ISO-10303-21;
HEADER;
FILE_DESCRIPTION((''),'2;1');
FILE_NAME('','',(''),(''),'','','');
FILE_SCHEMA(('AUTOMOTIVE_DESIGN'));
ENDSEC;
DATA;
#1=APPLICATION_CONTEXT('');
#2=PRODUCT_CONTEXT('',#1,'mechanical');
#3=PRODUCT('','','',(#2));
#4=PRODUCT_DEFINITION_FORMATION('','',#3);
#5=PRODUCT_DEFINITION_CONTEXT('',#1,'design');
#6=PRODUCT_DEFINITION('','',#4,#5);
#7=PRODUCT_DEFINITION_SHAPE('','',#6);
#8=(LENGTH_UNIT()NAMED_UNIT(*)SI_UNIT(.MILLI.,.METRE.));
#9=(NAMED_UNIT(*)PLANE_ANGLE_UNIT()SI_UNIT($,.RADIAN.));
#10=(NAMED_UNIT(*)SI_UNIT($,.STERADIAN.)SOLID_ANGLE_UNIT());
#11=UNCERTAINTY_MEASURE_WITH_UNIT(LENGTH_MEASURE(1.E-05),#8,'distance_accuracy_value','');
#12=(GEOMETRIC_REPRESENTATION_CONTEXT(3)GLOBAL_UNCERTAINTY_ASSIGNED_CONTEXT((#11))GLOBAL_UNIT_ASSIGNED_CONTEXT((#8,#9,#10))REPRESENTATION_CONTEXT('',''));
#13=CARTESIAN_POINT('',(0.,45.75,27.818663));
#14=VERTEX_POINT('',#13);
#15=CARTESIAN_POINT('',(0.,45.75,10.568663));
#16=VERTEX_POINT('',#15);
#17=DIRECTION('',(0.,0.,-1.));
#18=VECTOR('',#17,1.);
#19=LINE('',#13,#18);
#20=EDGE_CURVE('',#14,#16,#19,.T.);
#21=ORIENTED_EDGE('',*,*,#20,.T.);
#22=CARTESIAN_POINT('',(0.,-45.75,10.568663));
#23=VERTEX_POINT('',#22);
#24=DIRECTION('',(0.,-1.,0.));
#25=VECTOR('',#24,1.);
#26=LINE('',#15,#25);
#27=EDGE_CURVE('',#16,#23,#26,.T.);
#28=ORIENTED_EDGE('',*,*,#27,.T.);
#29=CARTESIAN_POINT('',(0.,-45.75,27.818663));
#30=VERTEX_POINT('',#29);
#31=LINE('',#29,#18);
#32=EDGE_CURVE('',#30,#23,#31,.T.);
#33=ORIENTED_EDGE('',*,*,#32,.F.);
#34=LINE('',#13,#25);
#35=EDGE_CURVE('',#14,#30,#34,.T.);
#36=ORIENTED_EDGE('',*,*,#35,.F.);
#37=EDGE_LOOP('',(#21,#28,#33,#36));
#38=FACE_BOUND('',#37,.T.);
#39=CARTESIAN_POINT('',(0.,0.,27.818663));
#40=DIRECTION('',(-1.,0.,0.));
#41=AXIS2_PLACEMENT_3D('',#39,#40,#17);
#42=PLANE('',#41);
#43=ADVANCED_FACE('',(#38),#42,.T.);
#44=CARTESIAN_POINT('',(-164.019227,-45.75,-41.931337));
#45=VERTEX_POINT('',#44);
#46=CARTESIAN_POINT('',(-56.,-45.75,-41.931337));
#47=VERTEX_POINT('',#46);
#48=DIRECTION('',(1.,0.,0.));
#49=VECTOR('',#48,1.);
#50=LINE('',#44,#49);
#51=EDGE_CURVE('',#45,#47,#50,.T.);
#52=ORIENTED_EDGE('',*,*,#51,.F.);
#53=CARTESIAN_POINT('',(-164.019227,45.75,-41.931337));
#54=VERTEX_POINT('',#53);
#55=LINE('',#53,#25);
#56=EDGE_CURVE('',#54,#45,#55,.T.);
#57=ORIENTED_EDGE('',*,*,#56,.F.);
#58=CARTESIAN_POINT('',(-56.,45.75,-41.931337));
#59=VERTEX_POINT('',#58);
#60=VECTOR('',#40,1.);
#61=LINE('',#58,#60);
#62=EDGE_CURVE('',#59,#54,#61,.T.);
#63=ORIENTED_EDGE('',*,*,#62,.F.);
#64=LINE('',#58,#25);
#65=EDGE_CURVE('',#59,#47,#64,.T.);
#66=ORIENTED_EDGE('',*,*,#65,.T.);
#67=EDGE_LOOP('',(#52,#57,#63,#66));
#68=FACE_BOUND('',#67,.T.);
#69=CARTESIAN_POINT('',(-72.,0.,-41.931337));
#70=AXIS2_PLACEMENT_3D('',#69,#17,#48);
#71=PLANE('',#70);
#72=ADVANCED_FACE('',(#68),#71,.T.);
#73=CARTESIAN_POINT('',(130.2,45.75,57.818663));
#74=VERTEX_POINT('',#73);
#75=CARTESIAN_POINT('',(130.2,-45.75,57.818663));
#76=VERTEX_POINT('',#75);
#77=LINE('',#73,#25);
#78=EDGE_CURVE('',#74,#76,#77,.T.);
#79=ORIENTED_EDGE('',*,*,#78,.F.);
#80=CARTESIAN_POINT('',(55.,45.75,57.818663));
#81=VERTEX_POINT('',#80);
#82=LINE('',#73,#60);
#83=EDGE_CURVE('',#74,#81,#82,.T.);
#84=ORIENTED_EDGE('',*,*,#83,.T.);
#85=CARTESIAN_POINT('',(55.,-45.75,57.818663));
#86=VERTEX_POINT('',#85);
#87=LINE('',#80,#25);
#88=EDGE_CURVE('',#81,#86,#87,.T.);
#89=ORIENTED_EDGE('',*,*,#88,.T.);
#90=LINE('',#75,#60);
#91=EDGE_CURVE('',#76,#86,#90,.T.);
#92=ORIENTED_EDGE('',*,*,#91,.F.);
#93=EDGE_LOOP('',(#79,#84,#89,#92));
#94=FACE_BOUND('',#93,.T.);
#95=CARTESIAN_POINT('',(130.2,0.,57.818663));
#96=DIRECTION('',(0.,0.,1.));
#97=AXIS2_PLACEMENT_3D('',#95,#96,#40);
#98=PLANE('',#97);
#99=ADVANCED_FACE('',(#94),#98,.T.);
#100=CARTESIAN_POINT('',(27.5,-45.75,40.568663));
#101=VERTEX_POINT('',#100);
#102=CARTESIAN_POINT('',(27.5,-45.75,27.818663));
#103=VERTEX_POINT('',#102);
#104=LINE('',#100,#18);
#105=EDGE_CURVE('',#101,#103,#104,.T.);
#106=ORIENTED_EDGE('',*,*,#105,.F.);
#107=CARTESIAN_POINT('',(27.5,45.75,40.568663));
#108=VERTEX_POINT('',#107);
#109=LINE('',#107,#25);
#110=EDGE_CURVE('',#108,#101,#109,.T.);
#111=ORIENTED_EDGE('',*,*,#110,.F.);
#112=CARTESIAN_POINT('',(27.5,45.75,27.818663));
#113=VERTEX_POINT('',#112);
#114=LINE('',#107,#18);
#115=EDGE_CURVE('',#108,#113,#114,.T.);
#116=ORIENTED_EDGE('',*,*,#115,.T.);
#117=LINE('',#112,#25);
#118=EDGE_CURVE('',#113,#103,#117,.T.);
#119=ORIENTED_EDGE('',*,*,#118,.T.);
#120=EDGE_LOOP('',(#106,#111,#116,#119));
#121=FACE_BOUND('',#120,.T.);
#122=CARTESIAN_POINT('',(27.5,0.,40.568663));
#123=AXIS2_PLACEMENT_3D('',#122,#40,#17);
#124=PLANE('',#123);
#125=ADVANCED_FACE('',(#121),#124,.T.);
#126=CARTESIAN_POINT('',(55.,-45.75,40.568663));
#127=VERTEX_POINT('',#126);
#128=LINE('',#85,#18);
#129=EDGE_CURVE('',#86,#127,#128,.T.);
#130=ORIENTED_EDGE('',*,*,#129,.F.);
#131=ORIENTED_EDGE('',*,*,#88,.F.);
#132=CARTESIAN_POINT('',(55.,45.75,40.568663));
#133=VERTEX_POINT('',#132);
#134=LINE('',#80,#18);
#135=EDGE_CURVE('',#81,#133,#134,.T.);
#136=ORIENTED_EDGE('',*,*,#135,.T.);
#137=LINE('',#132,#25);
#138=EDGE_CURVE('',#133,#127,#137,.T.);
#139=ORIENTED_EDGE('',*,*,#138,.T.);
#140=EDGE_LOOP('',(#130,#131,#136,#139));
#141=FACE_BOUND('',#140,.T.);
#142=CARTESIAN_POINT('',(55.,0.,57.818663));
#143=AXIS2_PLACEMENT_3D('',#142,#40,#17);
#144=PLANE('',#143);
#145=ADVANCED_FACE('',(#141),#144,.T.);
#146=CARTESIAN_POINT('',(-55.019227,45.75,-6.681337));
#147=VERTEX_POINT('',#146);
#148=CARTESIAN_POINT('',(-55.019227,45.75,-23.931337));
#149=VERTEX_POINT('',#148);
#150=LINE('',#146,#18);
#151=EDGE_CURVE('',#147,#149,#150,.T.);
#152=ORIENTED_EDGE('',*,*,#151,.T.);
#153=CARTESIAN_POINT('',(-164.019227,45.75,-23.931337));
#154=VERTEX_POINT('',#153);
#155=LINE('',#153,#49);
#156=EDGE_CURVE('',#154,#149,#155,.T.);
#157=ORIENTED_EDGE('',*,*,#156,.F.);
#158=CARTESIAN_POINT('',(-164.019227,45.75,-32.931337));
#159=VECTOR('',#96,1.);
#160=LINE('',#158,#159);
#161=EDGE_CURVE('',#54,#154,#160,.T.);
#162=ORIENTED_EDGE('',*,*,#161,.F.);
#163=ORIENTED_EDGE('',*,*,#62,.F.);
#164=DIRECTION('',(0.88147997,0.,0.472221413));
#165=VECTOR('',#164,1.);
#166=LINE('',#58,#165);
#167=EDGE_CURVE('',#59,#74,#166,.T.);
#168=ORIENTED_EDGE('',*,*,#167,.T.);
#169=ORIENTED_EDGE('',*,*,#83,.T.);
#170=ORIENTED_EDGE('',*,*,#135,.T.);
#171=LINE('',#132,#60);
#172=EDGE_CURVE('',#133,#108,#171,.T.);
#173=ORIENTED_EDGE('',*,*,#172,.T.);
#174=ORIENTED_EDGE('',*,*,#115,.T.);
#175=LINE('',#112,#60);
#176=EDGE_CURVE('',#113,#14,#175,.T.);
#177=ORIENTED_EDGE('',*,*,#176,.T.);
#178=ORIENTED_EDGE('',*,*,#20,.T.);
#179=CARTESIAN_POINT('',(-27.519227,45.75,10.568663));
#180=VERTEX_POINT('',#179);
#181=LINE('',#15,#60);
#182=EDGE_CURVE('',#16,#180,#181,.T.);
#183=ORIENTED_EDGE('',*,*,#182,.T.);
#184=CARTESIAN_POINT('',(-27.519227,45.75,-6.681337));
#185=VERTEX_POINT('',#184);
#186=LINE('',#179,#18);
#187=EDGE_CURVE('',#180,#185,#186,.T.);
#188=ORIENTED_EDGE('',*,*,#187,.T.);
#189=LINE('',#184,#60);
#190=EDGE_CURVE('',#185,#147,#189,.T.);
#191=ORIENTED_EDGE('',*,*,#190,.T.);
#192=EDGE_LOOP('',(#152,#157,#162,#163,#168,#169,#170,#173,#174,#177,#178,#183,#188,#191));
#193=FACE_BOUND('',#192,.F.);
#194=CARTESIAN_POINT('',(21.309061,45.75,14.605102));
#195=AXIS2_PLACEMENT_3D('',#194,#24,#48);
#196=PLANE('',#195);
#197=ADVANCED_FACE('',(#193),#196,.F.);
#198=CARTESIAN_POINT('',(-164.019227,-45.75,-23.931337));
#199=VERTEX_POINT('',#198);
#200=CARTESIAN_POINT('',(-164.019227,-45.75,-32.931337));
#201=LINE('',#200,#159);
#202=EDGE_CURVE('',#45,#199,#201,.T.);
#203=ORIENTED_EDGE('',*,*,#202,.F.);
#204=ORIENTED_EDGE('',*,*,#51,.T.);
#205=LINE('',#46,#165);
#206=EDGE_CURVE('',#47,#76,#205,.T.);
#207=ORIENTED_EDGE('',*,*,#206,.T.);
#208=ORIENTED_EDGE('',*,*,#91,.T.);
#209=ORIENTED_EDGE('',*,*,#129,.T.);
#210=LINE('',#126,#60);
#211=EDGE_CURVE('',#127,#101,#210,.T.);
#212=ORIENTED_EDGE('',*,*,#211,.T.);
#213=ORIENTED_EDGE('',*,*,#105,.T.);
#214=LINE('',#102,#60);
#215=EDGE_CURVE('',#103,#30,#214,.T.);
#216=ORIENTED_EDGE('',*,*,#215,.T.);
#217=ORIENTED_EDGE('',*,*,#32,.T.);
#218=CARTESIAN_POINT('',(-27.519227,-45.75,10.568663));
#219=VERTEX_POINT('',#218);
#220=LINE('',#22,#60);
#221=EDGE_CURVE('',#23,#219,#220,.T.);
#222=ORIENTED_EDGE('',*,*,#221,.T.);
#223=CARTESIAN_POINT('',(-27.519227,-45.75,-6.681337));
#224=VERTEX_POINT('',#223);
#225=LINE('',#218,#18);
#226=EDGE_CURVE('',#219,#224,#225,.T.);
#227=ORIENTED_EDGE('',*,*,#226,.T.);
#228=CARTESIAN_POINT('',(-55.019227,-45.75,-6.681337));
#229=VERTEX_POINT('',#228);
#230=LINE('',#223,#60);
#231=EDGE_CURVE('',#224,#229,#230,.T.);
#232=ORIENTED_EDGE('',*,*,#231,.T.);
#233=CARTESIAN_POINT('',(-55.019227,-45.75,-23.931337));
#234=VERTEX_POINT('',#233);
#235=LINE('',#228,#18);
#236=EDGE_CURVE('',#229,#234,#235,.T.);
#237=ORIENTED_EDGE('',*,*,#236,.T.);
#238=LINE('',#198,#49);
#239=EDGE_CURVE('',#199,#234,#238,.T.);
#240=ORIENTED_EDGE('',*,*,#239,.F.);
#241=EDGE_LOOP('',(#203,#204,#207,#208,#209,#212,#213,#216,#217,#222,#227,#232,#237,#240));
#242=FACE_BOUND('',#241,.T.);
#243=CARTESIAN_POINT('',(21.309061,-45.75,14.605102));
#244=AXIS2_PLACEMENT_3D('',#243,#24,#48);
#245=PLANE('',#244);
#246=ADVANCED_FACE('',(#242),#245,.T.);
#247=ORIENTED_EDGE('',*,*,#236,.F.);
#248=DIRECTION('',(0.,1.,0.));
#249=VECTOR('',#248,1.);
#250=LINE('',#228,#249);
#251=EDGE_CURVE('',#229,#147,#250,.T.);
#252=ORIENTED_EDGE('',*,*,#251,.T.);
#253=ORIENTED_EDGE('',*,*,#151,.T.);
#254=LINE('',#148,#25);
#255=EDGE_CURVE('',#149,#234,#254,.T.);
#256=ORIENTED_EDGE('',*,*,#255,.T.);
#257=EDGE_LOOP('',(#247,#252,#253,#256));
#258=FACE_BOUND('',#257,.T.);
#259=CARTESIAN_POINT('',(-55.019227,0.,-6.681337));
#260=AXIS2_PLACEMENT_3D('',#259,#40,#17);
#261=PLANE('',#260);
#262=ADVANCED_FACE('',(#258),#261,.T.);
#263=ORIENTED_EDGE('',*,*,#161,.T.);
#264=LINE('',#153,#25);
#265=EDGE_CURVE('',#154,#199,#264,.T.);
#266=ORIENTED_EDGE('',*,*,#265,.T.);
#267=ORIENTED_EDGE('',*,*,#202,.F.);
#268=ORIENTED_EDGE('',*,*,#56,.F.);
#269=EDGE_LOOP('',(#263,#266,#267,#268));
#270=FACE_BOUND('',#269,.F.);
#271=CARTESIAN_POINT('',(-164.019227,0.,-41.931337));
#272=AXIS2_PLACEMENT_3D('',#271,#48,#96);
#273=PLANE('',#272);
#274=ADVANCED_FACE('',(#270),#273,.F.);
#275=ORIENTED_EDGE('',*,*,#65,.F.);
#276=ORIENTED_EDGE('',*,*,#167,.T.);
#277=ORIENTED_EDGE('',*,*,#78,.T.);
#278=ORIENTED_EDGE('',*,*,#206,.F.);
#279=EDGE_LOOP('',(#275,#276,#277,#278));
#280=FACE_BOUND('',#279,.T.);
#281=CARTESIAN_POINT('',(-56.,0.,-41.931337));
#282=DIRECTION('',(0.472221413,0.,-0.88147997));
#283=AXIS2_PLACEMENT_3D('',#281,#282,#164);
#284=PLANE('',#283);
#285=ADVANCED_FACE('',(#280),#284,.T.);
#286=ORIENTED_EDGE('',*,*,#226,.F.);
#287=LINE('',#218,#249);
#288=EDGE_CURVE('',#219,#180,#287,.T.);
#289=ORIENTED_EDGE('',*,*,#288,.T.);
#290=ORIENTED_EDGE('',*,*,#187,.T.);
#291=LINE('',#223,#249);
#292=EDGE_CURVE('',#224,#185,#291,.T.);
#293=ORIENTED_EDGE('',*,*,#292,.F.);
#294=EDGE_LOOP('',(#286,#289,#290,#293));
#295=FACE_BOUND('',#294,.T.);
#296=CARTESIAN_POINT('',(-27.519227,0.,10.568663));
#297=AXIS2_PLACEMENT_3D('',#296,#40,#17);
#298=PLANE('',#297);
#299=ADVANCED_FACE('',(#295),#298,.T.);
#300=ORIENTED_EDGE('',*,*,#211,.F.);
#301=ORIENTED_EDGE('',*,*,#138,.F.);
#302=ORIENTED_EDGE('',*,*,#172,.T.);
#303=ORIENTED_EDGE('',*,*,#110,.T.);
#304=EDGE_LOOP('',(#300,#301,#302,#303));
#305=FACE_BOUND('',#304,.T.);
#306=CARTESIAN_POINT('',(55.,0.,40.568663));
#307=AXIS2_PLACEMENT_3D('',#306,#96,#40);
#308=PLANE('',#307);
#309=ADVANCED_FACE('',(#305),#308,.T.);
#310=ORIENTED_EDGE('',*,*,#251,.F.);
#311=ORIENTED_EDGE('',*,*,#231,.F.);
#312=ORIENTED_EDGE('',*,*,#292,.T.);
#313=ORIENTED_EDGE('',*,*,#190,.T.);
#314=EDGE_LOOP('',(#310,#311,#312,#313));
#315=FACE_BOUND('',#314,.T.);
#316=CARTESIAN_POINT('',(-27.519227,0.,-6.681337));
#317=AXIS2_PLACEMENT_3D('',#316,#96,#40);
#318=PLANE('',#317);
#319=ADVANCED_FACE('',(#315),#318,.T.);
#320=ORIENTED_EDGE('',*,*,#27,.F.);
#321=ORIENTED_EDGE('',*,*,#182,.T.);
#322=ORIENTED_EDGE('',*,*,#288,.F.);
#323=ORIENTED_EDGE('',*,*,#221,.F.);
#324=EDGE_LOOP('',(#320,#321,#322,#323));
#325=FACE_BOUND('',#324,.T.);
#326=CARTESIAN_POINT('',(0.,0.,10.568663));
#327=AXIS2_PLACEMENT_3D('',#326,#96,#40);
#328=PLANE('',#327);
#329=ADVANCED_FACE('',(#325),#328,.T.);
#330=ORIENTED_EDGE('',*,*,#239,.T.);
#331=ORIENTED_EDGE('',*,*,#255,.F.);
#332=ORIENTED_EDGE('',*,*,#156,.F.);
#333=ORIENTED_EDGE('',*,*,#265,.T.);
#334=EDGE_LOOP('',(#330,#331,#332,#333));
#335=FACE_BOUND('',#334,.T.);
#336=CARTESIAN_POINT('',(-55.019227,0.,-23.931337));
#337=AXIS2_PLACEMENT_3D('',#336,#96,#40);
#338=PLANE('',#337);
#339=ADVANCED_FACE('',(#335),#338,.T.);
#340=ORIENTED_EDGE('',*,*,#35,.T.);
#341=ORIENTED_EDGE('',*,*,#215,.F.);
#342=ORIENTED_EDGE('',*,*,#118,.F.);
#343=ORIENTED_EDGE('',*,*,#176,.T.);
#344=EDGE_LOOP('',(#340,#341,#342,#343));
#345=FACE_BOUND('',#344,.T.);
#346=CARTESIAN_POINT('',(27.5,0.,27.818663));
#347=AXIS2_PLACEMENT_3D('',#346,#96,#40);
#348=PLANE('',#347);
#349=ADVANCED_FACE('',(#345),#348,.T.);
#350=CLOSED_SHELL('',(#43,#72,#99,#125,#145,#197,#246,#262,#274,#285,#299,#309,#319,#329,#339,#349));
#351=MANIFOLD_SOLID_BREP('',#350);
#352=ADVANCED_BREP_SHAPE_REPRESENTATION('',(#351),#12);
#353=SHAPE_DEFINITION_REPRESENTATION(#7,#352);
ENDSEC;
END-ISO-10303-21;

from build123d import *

# Parameters (mm, degrees)
F1_DEPTH = 45.75
F0_W     = 92.0192270279
F0_H     = 18
F2_DEPTH = 45.75


with BuildPart() as f1:
    # F0 (on Front) → F1 (new body, symmetric)
    with BuildSketch(Plane.XZ):
        Polygon((-55.0192270279, -6.6813373144), (-55.0192270279, -23.9313373144), (-72, -23.9313373144), (-72, -41.9313373144), (-56, -41.9313373144), (130.2, 57.8186626856), (55, 57.8186626856), (55, 40.5686626856), (27.5, 40.5686626856), (27.5, 27.8186626856), (0, 27.8186626856), (0, 10.5686626856), (-27.5192270279, 10.5686626856), (-27.5192270279, -6.6813373144), align=None)
    extrude(amount=F1_DEPTH, both=True)

    # F0 (on Front) → F2 (join, symmetric)
    with BuildSketch(Plane.XZ):
        Polygon((-55.0192270279, -6.6813373144), (-55.0192270279, -23.9313373144), (-72, -23.9313373144), (-72, -41.9313373144), (-56, -41.9313373144), (130.2, 57.8186626856), (55, 57.8186626856), (55, 40.5686626856), (27.5, 40.5686626856), (27.5, 27.8186626856), (0, 27.8186626856), (0, 10.5686626856), (-27.5192270279, 10.5686626856), (-27.5192270279, -6.6813373144), align=None)
        with Locations((-118.0096135139, -32.9313373144)):
            Rectangle(F0_W, F0_H)
    extrude(amount=F2_DEPTH, both=True)


solid = f1.part
